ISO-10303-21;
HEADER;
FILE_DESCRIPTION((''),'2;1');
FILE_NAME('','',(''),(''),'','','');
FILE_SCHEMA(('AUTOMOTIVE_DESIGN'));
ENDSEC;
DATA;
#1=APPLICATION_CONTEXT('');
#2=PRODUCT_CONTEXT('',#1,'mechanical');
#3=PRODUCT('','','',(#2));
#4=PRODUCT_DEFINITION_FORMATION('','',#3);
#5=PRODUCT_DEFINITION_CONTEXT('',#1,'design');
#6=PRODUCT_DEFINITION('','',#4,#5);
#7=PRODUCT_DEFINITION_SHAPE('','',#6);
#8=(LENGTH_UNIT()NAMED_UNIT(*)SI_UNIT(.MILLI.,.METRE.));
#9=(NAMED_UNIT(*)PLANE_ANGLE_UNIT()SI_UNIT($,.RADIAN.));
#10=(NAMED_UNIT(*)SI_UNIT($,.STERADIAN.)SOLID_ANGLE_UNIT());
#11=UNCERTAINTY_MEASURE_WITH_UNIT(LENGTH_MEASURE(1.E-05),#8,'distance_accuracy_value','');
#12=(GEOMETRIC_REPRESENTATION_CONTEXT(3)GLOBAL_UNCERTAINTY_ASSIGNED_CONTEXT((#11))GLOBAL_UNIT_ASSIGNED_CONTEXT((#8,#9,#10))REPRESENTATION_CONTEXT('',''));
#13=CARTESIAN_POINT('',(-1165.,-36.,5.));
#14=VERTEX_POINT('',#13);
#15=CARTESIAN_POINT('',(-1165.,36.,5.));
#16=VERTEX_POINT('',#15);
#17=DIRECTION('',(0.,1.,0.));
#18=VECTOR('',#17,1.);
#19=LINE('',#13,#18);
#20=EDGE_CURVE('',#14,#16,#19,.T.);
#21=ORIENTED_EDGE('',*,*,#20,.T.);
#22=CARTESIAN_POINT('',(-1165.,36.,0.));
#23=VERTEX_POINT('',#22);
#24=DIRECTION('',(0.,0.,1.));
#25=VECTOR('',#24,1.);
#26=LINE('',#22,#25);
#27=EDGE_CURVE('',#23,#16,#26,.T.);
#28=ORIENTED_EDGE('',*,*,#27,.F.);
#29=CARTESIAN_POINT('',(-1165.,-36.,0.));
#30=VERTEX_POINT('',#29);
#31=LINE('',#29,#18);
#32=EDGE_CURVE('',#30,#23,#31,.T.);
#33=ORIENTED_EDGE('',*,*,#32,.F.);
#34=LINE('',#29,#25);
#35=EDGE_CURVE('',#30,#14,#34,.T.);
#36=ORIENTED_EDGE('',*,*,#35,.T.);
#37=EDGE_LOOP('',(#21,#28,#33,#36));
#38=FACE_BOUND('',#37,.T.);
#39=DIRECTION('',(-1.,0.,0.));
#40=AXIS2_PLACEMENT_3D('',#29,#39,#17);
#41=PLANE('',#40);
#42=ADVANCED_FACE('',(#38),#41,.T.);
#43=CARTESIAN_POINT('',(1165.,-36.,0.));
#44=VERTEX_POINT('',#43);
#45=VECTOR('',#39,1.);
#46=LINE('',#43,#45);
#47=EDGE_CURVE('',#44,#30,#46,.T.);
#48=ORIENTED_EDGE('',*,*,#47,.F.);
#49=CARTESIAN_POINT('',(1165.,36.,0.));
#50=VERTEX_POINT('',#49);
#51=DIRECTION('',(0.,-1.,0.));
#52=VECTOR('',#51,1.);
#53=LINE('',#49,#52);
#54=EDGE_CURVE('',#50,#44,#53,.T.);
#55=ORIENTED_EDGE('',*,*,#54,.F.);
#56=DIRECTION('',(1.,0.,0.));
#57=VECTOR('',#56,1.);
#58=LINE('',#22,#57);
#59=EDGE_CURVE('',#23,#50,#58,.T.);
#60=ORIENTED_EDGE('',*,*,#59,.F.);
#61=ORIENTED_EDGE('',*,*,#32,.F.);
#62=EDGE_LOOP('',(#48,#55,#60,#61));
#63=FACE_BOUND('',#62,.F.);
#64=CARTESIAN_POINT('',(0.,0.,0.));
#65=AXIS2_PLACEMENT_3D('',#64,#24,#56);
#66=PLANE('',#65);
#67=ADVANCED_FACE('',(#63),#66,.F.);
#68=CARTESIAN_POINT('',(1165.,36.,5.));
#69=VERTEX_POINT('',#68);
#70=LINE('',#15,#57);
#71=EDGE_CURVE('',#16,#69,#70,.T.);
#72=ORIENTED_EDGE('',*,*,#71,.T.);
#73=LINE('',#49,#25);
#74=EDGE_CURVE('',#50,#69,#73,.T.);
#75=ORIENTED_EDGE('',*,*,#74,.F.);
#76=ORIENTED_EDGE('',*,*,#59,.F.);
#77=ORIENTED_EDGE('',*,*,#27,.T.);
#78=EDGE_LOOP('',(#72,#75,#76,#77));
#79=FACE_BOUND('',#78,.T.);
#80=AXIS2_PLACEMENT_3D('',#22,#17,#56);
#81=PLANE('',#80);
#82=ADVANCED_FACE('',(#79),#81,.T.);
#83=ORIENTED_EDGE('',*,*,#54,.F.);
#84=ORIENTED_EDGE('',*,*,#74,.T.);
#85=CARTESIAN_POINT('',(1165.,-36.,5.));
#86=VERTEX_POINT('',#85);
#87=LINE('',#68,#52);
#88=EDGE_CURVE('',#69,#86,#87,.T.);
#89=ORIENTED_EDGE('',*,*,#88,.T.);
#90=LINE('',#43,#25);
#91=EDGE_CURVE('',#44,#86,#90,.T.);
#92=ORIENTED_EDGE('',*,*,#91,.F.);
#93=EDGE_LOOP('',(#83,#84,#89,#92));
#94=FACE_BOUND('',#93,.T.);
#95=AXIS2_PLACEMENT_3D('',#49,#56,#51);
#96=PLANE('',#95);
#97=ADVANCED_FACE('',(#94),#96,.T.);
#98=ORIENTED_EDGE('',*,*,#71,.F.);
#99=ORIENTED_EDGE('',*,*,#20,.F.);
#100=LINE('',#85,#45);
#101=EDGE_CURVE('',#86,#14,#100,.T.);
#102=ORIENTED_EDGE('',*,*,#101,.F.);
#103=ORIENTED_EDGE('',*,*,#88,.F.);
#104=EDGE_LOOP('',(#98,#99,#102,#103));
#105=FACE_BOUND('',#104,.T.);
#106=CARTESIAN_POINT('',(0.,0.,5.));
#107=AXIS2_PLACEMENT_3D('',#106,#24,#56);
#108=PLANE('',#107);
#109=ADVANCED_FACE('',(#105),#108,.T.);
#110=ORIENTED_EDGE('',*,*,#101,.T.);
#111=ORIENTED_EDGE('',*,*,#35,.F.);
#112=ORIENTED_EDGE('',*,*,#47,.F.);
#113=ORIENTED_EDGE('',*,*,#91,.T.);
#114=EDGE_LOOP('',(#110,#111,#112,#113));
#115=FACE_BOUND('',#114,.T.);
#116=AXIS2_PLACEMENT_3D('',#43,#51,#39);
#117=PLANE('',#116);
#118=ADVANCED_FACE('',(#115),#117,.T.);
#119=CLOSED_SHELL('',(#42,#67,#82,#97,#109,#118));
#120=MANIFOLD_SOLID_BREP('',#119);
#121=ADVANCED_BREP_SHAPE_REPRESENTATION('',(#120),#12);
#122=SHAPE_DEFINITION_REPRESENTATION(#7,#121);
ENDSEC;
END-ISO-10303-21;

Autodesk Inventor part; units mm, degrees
ref_plane "YZ Plane" through (0, 0, 0) normal (1, 0, 0) x (0, 1, 0)
ref_plane "XZ Plane" through (0, 0, 0) normal (0, 1, 0) x (-1, 0, 0)
ref_plane "XY Plane" through (0, 0, 0) normal (0, 0, 1) x (1, 0, 0)
sketch "Sketch1" plane through (0, 0, 0) normal (0, 0, 1) x (1, 0, 0)
  line L0 (-1165, 36) -> (1165, 36)
  line L1 (1165, 36) -> (1165, -36)
  line L2 (1165, -36) -> (-1165, -36)
  line L3 (-1165, -36) -> (-1165, 36)
  line L4 (-1165, 36) -> (1165, -36) construction
  line L5 (1165, 36) -> (-1165, -36) construction
  point P0 (0, 0)
  dimension "d0" = 2330
  dimension "d1" = 72
extrude "Extrusion1" add sketch "Sketch1" along normal blind 5
properties part number "LuggageStrapShort"
